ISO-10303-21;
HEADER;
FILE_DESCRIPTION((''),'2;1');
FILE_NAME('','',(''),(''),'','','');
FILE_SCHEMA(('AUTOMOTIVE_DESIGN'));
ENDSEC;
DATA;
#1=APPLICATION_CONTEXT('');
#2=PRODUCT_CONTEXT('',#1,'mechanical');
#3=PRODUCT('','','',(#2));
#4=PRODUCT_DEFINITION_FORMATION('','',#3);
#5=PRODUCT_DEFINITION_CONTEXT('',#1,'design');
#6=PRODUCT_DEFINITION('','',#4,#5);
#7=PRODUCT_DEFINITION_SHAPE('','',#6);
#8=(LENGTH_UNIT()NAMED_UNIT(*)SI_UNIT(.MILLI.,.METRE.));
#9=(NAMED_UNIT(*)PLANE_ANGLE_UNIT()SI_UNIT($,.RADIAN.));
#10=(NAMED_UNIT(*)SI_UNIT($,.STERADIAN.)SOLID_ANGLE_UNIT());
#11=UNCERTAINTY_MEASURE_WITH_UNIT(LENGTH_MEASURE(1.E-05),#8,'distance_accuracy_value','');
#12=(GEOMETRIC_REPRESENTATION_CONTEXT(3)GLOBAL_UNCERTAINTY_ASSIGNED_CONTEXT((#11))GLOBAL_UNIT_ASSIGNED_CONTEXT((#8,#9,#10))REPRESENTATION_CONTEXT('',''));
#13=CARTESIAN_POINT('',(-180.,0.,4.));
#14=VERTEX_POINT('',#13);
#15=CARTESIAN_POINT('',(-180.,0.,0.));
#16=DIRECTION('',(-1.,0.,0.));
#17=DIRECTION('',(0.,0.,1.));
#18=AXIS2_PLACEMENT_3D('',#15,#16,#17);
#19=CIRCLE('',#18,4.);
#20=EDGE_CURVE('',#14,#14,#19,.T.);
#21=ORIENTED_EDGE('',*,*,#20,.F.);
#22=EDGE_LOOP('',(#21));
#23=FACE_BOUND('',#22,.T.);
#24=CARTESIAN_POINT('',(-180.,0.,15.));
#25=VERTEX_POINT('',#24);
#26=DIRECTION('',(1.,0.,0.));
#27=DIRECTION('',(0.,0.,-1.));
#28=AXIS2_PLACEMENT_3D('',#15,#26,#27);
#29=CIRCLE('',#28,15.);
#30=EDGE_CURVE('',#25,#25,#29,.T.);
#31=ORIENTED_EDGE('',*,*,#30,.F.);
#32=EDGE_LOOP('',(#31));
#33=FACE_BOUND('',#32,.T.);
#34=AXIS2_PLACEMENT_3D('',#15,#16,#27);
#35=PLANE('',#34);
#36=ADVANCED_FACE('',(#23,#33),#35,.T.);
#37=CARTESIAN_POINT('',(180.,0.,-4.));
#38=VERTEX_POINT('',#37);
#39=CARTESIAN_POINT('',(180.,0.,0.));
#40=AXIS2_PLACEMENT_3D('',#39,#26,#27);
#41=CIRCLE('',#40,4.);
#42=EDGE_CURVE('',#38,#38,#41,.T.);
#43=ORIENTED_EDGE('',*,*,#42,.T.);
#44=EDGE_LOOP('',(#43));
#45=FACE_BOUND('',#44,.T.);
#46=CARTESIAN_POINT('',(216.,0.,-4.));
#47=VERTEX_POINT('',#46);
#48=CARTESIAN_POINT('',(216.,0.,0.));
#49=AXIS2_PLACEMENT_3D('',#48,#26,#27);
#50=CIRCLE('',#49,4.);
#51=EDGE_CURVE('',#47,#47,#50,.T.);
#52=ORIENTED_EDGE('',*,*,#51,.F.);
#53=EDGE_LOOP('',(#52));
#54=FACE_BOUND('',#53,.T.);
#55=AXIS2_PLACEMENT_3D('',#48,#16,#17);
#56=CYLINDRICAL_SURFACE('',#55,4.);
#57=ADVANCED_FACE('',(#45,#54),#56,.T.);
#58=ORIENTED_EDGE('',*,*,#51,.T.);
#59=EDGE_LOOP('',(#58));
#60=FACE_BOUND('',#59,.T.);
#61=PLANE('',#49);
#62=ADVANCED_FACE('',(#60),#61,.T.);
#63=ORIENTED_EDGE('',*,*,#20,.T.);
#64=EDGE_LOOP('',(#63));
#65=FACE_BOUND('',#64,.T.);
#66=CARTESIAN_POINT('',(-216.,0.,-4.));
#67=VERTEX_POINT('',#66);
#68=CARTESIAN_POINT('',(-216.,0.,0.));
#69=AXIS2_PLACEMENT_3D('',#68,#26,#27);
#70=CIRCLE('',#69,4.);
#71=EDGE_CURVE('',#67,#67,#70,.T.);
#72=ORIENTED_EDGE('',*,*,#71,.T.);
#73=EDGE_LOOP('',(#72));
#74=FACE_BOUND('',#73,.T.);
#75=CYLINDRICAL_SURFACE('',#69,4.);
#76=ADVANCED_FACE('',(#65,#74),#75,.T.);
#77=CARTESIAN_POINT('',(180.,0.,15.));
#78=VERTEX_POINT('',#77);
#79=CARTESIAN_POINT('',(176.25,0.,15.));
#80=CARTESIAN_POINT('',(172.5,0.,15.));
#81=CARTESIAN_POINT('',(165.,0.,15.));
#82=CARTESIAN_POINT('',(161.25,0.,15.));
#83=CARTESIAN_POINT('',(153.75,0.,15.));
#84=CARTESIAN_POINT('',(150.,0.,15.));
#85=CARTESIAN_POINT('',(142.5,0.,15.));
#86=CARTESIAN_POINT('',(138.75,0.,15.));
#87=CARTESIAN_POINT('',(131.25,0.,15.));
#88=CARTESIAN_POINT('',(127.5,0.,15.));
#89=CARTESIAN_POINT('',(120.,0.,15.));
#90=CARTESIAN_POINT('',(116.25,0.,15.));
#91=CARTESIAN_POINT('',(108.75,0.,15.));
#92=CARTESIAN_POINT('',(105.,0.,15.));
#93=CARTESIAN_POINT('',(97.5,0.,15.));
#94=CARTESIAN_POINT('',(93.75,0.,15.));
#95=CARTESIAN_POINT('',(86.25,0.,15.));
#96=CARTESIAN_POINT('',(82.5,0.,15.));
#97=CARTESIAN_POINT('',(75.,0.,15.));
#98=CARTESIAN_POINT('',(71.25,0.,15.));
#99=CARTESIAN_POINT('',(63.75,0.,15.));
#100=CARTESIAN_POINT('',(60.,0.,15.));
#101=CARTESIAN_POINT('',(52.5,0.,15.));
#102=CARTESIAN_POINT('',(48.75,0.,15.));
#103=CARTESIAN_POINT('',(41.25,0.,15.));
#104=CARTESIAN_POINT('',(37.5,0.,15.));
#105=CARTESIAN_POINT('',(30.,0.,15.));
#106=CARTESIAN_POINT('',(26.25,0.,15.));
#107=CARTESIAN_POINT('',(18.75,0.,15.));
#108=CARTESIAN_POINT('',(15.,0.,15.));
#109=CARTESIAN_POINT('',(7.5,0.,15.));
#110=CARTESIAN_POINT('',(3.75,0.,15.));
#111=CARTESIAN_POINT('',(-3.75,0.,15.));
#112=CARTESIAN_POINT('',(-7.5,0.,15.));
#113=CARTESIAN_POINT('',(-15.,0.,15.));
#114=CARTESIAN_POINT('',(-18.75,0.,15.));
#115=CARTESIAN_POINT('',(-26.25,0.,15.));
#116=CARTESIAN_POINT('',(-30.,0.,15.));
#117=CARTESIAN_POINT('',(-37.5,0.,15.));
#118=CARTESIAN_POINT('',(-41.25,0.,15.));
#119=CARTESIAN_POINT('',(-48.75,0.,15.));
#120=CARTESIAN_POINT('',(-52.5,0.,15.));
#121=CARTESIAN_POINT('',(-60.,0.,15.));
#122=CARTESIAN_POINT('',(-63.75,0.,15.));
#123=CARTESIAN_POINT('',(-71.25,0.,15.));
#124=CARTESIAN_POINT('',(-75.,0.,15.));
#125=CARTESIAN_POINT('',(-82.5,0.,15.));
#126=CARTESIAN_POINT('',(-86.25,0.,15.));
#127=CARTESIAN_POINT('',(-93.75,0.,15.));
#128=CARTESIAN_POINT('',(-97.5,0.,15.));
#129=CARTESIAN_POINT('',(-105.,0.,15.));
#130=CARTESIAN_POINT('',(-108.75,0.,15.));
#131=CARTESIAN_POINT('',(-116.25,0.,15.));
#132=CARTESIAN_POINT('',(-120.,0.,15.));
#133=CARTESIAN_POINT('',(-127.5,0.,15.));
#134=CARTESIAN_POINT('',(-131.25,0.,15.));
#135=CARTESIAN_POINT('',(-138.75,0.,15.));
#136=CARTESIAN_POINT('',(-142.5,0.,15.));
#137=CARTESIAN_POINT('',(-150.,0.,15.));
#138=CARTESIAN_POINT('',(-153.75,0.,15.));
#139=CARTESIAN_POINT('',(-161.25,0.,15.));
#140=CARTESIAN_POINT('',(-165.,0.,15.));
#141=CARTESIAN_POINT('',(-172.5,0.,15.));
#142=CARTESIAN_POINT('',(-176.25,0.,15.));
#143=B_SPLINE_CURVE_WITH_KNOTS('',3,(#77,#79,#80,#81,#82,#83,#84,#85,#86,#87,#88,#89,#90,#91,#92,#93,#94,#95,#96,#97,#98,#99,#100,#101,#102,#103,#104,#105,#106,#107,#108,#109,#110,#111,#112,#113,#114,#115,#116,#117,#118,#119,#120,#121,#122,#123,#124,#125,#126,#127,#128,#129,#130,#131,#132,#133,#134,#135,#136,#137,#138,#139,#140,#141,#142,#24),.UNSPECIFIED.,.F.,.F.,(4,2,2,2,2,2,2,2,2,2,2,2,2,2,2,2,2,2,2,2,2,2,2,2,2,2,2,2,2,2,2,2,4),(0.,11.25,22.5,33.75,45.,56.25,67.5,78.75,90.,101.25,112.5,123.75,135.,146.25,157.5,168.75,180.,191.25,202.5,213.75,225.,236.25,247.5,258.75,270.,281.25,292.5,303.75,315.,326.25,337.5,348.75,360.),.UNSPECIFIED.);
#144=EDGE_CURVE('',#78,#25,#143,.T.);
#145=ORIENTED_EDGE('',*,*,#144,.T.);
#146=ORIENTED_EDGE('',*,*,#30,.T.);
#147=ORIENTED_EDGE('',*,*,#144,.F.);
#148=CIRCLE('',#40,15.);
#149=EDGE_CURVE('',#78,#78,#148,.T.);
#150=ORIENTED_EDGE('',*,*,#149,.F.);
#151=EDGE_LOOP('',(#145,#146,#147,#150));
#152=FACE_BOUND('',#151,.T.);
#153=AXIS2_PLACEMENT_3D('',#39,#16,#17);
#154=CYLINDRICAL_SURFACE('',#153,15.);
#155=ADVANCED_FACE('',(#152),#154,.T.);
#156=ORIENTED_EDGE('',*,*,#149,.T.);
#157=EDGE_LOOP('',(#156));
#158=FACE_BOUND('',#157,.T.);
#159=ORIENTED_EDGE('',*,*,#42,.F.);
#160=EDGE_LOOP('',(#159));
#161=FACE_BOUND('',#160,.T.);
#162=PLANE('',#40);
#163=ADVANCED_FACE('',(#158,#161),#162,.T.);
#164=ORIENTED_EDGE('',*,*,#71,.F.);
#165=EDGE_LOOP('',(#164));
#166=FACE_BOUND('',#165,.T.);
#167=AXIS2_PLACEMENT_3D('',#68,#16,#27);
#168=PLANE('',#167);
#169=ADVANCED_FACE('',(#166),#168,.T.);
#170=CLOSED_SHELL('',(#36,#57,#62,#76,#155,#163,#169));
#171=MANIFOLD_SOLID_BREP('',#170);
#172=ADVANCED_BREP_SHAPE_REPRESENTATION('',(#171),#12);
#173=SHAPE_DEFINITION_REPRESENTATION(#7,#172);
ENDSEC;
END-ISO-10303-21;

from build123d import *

# Parameters (mm, degrees)
SKETCH2_R           = 15
BOSS_EXTRUDE1_DEPTH = 180
SKETCH3_R           = 4
BOSS_EXTRUDE2_DEPTH = 36


with BuildPart() as part:
    # Sketch2 → Boss-Extrude1 (new body)
    with BuildSketch(Plane(origin=(0, 0, 0), x_dir=(0, 0, -1), z_dir=(1, 0, 0))):
        with Locations(Location((0, 0, 0), (0, 0, 180))):
            Circle(SKETCH2_R)
    boss_extrude1 = extrude(amount=BOSS_EXTRUDE1_DEPTH)

    # Sketch3 → Boss-Extrude2 (add)
    with BuildSketch(Plane(origin=(180, 0, 0), x_dir=(0, 0, -1), z_dir=(1, 0, 0))):
        Circle(SKETCH3_R)
    boss_extrude2 = extrude(amount=BOSS_EXTRUDE2_DEPTH)

    # Mirror1: Boss-Extrude1, Boss-Extrude2 across plane
    add(boss_extrude1.mirror(Plane(origin=(0, 0, 0), x_dir=(0, 0, 1), z_dir=(1, 0, 0))))
    add(boss_extrude2.mirror(Plane(origin=(0, 0, 0), x_dir=(0, 0, 1), z_dir=(1, 0, 0))))


solid = part.part
